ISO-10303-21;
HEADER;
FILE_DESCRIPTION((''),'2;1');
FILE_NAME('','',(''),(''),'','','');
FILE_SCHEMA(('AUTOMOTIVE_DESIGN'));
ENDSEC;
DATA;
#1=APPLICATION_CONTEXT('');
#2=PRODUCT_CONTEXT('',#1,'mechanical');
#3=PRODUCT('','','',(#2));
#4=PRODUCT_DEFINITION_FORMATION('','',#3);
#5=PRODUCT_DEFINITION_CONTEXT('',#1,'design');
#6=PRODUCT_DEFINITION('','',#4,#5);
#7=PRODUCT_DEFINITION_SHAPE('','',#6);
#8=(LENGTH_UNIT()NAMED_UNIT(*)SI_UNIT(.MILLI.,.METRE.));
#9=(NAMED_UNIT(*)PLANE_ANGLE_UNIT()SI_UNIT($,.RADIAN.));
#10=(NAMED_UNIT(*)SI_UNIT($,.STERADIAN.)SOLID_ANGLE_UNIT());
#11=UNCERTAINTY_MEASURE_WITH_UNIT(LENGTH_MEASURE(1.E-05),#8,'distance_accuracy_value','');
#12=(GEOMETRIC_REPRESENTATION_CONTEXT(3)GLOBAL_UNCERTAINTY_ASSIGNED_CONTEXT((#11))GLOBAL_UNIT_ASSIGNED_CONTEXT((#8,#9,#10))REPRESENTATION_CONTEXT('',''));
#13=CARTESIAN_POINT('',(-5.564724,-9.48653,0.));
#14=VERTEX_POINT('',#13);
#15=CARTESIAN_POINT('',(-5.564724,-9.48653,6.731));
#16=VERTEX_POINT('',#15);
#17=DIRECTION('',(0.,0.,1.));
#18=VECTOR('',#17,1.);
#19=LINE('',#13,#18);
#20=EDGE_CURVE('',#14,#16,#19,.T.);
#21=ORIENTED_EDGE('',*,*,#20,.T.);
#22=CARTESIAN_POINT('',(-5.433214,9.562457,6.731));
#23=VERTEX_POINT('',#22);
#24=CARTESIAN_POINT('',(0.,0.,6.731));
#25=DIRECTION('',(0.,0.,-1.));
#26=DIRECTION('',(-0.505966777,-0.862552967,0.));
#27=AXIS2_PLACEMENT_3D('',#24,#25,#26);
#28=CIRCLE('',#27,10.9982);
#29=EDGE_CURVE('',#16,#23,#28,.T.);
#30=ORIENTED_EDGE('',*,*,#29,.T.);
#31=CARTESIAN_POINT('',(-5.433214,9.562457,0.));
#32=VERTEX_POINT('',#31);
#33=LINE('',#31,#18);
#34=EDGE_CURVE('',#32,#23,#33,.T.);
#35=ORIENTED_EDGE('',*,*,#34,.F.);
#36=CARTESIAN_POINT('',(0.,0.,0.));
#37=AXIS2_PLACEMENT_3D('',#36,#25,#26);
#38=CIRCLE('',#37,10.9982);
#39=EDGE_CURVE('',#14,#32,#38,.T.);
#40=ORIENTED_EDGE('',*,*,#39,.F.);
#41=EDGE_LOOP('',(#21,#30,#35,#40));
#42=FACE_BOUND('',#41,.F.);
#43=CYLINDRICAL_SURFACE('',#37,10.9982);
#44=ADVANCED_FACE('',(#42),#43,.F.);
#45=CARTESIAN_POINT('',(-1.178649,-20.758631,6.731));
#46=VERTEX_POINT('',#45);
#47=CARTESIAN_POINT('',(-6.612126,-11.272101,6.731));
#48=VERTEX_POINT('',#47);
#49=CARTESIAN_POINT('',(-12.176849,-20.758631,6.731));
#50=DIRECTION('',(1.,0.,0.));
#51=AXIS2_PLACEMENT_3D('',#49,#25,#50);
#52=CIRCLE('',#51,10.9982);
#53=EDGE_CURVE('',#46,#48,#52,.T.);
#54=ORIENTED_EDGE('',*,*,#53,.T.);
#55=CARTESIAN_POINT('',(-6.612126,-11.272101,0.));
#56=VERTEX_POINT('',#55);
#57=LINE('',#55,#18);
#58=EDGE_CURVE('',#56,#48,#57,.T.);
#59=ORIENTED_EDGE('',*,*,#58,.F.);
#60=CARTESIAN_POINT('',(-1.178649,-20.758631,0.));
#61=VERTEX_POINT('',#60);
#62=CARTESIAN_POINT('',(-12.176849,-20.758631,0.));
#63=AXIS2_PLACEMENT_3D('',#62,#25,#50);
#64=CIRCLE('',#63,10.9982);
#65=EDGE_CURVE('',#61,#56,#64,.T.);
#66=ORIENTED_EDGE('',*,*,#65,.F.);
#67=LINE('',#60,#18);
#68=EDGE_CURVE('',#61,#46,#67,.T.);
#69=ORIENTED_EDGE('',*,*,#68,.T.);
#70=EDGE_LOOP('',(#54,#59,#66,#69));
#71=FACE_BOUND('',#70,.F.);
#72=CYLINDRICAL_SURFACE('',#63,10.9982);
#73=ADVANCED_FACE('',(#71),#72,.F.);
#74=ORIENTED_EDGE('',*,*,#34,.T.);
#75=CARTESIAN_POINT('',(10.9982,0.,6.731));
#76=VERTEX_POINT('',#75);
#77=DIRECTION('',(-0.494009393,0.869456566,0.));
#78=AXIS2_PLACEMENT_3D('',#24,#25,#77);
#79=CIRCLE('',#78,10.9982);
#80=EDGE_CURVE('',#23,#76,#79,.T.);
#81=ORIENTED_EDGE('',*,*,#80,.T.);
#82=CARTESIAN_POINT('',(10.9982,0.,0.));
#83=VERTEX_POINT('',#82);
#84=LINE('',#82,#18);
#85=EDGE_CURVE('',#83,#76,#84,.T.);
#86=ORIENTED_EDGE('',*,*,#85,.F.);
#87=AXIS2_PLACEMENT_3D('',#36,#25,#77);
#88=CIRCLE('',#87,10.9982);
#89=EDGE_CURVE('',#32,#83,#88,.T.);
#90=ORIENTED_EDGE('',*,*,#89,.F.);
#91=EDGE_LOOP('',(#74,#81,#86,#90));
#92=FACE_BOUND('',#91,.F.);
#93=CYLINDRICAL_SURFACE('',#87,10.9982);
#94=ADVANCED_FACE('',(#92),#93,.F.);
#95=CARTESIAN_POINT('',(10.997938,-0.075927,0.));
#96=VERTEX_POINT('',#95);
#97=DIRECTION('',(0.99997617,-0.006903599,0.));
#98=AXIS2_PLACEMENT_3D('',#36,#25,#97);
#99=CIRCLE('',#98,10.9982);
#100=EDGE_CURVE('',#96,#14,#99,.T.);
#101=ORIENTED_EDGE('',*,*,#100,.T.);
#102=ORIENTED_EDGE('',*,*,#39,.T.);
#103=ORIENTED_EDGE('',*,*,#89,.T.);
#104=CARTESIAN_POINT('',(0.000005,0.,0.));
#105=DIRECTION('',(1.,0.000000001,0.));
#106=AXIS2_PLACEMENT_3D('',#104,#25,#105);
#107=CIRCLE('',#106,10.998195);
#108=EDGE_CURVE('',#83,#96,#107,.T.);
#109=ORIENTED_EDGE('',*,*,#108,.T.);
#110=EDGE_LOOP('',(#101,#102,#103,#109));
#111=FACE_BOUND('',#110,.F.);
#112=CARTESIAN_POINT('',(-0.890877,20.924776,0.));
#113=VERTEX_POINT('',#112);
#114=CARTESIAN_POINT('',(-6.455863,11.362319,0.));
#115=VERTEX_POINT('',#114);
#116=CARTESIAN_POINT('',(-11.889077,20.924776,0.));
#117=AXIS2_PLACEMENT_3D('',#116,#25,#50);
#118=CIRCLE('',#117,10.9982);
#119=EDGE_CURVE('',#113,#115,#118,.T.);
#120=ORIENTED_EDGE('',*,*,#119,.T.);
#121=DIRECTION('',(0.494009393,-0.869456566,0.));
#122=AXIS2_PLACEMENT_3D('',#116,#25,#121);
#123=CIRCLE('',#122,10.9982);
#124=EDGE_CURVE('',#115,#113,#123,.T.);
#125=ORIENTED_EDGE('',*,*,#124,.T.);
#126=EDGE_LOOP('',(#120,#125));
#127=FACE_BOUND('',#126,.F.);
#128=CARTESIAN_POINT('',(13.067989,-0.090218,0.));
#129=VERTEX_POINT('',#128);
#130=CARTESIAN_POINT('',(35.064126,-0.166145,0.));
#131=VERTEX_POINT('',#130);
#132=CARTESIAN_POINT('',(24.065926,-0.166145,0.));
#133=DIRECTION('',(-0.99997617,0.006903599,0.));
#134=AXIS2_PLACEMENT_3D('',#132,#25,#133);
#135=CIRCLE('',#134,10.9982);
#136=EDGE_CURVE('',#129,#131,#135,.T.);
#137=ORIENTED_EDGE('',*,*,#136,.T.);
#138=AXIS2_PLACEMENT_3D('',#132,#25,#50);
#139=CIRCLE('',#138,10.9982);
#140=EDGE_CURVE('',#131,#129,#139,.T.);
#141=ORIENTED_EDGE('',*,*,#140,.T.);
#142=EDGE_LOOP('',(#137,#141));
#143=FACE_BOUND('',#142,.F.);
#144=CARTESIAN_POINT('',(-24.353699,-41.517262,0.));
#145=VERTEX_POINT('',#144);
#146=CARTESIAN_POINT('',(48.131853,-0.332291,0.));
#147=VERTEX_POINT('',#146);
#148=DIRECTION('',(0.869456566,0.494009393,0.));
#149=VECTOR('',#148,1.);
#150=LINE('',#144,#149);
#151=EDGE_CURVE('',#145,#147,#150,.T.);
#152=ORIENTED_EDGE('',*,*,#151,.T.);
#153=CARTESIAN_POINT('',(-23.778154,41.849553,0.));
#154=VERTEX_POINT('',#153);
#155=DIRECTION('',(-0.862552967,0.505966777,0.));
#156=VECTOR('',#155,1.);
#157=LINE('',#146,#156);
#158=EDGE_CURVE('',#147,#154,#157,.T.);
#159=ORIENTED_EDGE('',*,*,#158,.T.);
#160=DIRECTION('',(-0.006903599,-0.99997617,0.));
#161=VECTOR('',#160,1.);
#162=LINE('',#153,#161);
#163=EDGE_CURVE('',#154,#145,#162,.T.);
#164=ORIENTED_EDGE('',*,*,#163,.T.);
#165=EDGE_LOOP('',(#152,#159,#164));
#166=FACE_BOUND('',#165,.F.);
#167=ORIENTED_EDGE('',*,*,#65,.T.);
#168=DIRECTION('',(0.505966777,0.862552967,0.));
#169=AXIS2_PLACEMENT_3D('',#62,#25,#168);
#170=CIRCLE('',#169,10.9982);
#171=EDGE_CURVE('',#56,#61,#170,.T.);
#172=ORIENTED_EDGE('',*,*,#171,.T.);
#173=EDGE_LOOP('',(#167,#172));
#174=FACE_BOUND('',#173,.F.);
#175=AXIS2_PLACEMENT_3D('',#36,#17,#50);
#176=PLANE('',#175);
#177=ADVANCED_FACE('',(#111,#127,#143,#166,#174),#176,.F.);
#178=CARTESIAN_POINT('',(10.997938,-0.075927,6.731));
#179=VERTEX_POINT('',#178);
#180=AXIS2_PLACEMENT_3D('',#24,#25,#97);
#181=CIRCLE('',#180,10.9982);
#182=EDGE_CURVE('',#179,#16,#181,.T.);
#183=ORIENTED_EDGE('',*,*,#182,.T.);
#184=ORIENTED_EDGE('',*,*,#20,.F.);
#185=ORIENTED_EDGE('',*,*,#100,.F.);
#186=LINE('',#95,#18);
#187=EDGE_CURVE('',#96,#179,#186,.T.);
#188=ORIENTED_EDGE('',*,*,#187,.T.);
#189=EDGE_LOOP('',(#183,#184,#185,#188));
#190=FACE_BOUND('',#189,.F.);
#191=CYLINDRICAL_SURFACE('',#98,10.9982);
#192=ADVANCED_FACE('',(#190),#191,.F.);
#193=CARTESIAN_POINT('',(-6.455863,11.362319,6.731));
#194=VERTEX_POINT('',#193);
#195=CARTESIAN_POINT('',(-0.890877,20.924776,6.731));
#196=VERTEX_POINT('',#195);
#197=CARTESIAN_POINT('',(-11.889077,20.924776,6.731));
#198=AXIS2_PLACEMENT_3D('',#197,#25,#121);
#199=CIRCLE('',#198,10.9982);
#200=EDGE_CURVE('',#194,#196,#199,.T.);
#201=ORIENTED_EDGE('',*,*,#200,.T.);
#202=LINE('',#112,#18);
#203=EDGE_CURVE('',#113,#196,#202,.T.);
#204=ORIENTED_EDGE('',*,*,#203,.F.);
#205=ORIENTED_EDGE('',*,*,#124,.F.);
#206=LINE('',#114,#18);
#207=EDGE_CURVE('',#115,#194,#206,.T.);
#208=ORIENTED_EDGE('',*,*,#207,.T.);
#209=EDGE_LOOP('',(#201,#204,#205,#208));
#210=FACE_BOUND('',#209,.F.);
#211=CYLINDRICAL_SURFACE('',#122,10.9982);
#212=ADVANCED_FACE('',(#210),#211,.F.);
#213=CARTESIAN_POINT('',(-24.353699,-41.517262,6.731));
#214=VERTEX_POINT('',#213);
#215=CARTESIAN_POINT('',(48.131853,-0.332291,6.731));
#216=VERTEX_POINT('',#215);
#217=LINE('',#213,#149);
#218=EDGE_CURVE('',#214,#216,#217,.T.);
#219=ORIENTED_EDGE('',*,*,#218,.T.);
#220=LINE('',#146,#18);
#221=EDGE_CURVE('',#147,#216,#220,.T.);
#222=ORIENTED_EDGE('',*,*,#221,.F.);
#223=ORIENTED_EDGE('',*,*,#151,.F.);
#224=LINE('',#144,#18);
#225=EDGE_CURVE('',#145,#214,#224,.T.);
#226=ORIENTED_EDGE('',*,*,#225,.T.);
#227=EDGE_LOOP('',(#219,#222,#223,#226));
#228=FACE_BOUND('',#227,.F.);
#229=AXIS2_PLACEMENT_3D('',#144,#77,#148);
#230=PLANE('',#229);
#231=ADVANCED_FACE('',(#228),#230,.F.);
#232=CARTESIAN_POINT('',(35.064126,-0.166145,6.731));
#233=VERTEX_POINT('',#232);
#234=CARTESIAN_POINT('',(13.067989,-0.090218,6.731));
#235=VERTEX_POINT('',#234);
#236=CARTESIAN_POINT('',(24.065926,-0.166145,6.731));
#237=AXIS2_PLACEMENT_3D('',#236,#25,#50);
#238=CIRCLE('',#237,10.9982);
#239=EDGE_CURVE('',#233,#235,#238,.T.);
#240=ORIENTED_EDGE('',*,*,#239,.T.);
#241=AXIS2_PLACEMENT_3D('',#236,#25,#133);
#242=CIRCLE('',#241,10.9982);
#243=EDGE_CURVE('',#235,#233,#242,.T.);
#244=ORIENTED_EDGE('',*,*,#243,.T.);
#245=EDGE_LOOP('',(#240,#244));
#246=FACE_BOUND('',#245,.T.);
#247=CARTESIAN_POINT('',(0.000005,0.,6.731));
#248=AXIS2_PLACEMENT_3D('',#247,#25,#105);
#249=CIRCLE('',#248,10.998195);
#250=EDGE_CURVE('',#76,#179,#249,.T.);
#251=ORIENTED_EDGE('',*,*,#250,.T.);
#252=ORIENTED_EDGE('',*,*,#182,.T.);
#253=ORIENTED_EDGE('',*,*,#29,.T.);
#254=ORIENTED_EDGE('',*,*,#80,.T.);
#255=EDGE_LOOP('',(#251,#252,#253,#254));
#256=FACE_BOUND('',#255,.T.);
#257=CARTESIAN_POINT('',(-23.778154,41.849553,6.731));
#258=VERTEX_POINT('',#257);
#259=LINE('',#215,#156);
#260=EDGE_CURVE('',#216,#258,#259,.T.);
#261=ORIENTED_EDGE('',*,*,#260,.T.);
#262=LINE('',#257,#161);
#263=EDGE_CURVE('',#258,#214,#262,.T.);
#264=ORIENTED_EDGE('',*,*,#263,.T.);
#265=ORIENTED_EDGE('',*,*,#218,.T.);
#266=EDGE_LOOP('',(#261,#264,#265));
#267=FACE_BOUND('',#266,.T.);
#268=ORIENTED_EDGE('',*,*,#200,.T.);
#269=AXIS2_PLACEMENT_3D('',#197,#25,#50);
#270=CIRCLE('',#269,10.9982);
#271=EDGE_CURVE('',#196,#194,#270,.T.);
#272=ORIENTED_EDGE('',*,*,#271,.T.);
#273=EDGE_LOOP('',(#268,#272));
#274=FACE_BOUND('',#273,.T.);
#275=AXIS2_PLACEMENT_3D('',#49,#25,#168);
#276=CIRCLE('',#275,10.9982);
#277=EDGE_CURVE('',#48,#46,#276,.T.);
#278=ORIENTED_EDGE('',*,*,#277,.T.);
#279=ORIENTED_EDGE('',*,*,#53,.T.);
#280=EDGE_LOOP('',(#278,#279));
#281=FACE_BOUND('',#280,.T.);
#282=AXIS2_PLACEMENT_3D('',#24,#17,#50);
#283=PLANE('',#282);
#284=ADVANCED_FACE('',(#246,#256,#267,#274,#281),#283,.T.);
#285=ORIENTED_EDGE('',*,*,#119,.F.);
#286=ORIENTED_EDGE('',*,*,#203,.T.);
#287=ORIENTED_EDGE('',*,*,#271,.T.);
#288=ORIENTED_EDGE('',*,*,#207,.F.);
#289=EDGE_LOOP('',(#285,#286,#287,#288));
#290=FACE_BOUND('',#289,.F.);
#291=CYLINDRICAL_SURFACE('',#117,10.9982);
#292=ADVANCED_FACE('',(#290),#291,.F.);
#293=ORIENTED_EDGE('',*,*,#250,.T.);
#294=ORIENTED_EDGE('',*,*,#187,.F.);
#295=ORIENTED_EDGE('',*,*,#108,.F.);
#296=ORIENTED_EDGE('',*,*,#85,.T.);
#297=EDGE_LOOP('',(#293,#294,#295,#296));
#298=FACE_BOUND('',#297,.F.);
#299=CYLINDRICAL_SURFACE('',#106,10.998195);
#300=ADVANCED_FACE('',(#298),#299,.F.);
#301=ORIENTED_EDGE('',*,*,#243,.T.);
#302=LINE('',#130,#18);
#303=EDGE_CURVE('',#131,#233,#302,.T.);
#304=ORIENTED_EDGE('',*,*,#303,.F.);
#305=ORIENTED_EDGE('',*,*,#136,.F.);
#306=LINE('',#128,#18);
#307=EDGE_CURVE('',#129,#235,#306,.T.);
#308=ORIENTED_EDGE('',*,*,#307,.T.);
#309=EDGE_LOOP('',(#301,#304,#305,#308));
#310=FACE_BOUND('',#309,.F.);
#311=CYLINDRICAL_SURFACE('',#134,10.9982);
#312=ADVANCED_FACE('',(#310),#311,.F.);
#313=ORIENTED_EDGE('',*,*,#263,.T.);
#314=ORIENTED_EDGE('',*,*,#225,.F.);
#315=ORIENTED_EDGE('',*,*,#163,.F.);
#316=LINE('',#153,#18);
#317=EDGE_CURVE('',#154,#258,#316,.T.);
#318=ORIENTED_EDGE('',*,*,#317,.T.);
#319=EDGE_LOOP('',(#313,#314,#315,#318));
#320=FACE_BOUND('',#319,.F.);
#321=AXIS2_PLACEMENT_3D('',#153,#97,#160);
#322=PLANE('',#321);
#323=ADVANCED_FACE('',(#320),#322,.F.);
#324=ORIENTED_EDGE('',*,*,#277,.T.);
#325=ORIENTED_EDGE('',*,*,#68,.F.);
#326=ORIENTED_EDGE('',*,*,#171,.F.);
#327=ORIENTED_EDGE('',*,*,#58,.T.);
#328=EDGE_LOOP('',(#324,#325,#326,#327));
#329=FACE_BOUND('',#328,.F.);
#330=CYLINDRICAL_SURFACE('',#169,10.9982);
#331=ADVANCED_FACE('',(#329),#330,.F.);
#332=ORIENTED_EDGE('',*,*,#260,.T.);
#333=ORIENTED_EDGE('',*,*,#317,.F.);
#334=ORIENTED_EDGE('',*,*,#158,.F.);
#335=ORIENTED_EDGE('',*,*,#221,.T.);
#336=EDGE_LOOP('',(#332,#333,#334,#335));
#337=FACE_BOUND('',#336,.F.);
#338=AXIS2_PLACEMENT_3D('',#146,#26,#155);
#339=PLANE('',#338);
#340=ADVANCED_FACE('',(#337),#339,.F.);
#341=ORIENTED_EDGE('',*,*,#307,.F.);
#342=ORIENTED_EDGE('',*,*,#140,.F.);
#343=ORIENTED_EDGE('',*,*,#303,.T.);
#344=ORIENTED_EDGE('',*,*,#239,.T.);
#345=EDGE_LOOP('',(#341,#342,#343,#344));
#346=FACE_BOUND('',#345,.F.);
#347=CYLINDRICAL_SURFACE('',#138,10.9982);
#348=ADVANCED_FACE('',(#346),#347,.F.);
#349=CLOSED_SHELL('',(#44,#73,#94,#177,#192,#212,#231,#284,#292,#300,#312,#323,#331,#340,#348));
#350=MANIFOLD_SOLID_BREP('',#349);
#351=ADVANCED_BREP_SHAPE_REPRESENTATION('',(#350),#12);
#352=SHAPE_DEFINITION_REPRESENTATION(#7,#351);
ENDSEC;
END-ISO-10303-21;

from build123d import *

# Parameters (mm, degrees)
F1_DEPTH = 6.731


with BuildPart() as f1:
    # F0 (on Top) → F1 (new body)
    with BuildSketch(Plane.XY):
        Polygon((-24.3536988721, -41.5172619551), (48.1318529847, -0.3322909218), (-23.7781541126, 41.8495528769), align=None)
        with BuildLine():
            ThreePointArc((-1.1786494361, -20.7586309775), (-21.7204951912, -26.2248205956), (-6.6121256305, -11.2721009371))
            ThreePointArc((-6.6121256305, -11.2721009371), (-2.6332036809, -15.2924413595), (-1.1786494361, -20.7586309775))
        make_face(mode=Mode.SUBTRACT)
        with BuildLine():
            ThreePointArc((-5.4332141059, 9.5624572009), (5.5319448596, 9.5056819487), (10.9982, 0))
            ThreePointArc((10.9982, 0), (10.9981344777, -0.0379638064), (10.9979379115, -0.0759271605))
            ThreePointArc((10.9979379115, -0.0759271605), (5.4332141059, -9.5624572009), (-5.5647238056, -9.4865300404))
            ThreePointArc((-5.5647238056, -9.4865300404), (-10.9979379115, 0.0759271605), (-5.4332141059, 9.5624572009))
        make_face(mode=Mode.SUBTRACT)
        with BuildLine():
            ThreePointArc((35.0641264924, -0.1661454609), (24.0279626859, -11.1642799386), (13.0679885808, -0.0902183004))
            ThreePointArc((13.0679885808, -0.0902183004), (24.1038902988, 10.8319890168), (35.0641264924, -0.1661454609))
        make_face(mode=Mode.SUBTRACT)
        with BuildLine():
            ThreePointArc((-0.8908770563, 20.9247764385), (-2.3833951076, 15.3928315788), (-6.4558629504, 11.3623192376))
            ThreePointArc((-6.4558629504, 11.3623192376), (-21.394759005, 26.4567212981), (-0.8908770563, 20.9247764385))
        make_face(mode=Mode.SUBTRACT)
    extrude(amount=F1_DEPTH)


solid = f1.part
